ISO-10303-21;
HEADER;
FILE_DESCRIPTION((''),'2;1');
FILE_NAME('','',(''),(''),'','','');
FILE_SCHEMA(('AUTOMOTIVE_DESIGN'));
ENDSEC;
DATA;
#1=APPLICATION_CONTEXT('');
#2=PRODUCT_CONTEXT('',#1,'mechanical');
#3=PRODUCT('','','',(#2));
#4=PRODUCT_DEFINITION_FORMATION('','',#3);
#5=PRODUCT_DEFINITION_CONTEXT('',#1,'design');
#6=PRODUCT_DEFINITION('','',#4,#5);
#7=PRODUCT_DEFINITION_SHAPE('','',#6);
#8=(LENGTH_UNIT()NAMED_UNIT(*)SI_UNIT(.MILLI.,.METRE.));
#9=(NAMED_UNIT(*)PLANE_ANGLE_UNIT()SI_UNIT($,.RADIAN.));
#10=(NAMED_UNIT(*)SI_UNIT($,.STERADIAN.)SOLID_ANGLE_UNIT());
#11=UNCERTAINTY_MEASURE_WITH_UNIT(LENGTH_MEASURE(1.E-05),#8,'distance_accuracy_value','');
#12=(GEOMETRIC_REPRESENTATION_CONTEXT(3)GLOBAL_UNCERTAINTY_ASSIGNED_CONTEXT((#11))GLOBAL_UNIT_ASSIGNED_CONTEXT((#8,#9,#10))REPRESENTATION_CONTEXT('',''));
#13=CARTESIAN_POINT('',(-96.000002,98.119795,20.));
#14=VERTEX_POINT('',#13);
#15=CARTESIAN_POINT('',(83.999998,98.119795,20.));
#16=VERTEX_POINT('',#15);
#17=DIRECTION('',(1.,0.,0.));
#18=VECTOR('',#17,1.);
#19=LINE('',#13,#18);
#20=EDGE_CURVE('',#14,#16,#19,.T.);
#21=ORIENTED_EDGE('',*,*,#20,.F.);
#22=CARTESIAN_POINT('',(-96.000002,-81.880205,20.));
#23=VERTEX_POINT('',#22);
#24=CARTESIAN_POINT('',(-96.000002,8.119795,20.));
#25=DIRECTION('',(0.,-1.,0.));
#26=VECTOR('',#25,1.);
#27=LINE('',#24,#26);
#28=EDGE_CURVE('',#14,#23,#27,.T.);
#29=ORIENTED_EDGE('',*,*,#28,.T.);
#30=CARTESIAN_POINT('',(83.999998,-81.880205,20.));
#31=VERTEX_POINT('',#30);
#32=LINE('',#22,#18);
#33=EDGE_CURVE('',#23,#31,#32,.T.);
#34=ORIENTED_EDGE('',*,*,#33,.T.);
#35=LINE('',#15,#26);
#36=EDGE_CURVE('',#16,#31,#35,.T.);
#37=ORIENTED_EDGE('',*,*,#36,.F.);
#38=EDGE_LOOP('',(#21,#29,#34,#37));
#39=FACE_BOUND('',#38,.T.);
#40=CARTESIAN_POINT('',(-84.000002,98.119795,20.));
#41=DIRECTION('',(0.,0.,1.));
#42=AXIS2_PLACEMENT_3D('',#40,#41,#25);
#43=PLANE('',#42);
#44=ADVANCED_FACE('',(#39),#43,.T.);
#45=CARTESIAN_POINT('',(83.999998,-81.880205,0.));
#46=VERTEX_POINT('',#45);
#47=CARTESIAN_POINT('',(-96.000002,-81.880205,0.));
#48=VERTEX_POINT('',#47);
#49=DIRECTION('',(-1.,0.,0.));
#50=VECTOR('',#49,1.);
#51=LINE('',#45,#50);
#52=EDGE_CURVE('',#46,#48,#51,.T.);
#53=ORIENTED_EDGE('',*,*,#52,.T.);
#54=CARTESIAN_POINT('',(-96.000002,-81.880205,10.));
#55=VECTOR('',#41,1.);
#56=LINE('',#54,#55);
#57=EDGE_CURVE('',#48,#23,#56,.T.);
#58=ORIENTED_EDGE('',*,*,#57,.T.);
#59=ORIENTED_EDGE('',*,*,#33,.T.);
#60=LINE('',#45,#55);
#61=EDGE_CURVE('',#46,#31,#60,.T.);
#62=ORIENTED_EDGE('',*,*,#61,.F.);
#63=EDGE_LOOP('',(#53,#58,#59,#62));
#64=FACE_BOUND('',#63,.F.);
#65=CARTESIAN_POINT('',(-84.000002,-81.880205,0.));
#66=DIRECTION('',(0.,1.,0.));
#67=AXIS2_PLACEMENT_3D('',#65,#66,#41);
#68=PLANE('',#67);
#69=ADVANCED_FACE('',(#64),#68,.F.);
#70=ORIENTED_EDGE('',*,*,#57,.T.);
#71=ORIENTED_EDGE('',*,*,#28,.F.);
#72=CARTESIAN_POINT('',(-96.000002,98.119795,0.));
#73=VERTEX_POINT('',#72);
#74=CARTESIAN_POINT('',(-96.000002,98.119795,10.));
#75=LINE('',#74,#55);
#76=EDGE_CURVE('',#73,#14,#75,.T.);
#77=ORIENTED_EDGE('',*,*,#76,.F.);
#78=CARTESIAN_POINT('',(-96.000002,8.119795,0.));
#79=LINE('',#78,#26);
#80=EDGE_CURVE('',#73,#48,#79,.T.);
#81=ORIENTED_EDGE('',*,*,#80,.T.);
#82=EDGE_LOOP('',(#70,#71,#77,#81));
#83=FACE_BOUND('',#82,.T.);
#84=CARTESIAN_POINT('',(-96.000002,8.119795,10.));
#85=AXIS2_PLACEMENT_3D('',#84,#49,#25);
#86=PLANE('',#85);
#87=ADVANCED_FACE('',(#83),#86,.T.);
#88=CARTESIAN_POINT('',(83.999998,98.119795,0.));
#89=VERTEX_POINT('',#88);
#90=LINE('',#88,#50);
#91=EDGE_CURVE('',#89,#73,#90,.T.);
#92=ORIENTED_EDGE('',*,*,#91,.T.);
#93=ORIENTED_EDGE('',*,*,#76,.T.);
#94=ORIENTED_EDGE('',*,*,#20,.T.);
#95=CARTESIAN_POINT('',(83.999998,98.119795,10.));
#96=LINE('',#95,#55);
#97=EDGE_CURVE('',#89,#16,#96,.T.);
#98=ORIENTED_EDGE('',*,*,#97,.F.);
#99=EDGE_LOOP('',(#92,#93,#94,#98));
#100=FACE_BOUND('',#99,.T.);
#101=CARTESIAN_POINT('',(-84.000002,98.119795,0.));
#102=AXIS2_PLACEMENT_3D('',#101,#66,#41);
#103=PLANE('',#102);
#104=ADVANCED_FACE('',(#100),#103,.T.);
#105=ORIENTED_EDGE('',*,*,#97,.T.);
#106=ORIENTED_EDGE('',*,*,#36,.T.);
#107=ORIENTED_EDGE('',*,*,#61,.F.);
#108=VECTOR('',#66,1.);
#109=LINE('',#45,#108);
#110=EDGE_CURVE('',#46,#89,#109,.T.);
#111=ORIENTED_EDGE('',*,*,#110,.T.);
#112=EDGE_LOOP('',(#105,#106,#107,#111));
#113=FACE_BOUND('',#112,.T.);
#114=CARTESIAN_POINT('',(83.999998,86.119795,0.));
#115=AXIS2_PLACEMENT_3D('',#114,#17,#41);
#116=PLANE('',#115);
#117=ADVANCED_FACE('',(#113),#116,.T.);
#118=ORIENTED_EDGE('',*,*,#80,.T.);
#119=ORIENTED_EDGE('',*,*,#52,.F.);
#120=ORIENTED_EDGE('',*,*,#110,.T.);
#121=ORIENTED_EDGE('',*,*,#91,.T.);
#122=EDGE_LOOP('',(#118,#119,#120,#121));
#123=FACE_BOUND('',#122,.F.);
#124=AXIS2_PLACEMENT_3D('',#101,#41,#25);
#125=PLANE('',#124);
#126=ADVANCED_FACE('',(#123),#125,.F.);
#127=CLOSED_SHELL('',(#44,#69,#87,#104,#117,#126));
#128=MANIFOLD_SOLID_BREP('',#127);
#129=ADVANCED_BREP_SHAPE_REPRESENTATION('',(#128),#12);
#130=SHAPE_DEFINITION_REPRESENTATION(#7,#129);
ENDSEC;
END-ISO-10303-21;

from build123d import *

# Parameters (mm, degrees)
F0_W      = 168
F0_H      = 168
F1_DEPTH  = 20
F1_FACE_W = 168
F1_FACE_H = 20
F2_DEPTH  = 12
F2_FACE_W = 180
F2_FACE_H = 20
F3_DEPTH  = 12


with BuildPart() as f1:
    # F0 (on Top) → F1 (new body)
    with BuildSketch(Plane.XY):
        with Locations((-2e-06, 2.119795)):
            Rectangle(F0_W, F0_H)
    extrude(amount=F1_DEPTH)

    # F1_face (on face) → F2 (join)
    with BuildSketch(Plane(origin=(-2e-06, 86.119795, 10), x_dir=(-1, 0, 0), z_dir=(0, 1, 0))):
        Rectangle(F1_FACE_W, F1_FACE_H)
    extrude(amount=F2_DEPTH)

    # F2_face (on face) → F3 (join)
    with BuildSketch(Plane(origin=(-84.000002, 8.119795, 10), x_dir=(0, -1, 0), z_dir=(-1, 0, 0))):
        Rectangle(F2_FACE_W, F2_FACE_H)
    extrude(amount=F3_DEPTH)


solid = f1.part
